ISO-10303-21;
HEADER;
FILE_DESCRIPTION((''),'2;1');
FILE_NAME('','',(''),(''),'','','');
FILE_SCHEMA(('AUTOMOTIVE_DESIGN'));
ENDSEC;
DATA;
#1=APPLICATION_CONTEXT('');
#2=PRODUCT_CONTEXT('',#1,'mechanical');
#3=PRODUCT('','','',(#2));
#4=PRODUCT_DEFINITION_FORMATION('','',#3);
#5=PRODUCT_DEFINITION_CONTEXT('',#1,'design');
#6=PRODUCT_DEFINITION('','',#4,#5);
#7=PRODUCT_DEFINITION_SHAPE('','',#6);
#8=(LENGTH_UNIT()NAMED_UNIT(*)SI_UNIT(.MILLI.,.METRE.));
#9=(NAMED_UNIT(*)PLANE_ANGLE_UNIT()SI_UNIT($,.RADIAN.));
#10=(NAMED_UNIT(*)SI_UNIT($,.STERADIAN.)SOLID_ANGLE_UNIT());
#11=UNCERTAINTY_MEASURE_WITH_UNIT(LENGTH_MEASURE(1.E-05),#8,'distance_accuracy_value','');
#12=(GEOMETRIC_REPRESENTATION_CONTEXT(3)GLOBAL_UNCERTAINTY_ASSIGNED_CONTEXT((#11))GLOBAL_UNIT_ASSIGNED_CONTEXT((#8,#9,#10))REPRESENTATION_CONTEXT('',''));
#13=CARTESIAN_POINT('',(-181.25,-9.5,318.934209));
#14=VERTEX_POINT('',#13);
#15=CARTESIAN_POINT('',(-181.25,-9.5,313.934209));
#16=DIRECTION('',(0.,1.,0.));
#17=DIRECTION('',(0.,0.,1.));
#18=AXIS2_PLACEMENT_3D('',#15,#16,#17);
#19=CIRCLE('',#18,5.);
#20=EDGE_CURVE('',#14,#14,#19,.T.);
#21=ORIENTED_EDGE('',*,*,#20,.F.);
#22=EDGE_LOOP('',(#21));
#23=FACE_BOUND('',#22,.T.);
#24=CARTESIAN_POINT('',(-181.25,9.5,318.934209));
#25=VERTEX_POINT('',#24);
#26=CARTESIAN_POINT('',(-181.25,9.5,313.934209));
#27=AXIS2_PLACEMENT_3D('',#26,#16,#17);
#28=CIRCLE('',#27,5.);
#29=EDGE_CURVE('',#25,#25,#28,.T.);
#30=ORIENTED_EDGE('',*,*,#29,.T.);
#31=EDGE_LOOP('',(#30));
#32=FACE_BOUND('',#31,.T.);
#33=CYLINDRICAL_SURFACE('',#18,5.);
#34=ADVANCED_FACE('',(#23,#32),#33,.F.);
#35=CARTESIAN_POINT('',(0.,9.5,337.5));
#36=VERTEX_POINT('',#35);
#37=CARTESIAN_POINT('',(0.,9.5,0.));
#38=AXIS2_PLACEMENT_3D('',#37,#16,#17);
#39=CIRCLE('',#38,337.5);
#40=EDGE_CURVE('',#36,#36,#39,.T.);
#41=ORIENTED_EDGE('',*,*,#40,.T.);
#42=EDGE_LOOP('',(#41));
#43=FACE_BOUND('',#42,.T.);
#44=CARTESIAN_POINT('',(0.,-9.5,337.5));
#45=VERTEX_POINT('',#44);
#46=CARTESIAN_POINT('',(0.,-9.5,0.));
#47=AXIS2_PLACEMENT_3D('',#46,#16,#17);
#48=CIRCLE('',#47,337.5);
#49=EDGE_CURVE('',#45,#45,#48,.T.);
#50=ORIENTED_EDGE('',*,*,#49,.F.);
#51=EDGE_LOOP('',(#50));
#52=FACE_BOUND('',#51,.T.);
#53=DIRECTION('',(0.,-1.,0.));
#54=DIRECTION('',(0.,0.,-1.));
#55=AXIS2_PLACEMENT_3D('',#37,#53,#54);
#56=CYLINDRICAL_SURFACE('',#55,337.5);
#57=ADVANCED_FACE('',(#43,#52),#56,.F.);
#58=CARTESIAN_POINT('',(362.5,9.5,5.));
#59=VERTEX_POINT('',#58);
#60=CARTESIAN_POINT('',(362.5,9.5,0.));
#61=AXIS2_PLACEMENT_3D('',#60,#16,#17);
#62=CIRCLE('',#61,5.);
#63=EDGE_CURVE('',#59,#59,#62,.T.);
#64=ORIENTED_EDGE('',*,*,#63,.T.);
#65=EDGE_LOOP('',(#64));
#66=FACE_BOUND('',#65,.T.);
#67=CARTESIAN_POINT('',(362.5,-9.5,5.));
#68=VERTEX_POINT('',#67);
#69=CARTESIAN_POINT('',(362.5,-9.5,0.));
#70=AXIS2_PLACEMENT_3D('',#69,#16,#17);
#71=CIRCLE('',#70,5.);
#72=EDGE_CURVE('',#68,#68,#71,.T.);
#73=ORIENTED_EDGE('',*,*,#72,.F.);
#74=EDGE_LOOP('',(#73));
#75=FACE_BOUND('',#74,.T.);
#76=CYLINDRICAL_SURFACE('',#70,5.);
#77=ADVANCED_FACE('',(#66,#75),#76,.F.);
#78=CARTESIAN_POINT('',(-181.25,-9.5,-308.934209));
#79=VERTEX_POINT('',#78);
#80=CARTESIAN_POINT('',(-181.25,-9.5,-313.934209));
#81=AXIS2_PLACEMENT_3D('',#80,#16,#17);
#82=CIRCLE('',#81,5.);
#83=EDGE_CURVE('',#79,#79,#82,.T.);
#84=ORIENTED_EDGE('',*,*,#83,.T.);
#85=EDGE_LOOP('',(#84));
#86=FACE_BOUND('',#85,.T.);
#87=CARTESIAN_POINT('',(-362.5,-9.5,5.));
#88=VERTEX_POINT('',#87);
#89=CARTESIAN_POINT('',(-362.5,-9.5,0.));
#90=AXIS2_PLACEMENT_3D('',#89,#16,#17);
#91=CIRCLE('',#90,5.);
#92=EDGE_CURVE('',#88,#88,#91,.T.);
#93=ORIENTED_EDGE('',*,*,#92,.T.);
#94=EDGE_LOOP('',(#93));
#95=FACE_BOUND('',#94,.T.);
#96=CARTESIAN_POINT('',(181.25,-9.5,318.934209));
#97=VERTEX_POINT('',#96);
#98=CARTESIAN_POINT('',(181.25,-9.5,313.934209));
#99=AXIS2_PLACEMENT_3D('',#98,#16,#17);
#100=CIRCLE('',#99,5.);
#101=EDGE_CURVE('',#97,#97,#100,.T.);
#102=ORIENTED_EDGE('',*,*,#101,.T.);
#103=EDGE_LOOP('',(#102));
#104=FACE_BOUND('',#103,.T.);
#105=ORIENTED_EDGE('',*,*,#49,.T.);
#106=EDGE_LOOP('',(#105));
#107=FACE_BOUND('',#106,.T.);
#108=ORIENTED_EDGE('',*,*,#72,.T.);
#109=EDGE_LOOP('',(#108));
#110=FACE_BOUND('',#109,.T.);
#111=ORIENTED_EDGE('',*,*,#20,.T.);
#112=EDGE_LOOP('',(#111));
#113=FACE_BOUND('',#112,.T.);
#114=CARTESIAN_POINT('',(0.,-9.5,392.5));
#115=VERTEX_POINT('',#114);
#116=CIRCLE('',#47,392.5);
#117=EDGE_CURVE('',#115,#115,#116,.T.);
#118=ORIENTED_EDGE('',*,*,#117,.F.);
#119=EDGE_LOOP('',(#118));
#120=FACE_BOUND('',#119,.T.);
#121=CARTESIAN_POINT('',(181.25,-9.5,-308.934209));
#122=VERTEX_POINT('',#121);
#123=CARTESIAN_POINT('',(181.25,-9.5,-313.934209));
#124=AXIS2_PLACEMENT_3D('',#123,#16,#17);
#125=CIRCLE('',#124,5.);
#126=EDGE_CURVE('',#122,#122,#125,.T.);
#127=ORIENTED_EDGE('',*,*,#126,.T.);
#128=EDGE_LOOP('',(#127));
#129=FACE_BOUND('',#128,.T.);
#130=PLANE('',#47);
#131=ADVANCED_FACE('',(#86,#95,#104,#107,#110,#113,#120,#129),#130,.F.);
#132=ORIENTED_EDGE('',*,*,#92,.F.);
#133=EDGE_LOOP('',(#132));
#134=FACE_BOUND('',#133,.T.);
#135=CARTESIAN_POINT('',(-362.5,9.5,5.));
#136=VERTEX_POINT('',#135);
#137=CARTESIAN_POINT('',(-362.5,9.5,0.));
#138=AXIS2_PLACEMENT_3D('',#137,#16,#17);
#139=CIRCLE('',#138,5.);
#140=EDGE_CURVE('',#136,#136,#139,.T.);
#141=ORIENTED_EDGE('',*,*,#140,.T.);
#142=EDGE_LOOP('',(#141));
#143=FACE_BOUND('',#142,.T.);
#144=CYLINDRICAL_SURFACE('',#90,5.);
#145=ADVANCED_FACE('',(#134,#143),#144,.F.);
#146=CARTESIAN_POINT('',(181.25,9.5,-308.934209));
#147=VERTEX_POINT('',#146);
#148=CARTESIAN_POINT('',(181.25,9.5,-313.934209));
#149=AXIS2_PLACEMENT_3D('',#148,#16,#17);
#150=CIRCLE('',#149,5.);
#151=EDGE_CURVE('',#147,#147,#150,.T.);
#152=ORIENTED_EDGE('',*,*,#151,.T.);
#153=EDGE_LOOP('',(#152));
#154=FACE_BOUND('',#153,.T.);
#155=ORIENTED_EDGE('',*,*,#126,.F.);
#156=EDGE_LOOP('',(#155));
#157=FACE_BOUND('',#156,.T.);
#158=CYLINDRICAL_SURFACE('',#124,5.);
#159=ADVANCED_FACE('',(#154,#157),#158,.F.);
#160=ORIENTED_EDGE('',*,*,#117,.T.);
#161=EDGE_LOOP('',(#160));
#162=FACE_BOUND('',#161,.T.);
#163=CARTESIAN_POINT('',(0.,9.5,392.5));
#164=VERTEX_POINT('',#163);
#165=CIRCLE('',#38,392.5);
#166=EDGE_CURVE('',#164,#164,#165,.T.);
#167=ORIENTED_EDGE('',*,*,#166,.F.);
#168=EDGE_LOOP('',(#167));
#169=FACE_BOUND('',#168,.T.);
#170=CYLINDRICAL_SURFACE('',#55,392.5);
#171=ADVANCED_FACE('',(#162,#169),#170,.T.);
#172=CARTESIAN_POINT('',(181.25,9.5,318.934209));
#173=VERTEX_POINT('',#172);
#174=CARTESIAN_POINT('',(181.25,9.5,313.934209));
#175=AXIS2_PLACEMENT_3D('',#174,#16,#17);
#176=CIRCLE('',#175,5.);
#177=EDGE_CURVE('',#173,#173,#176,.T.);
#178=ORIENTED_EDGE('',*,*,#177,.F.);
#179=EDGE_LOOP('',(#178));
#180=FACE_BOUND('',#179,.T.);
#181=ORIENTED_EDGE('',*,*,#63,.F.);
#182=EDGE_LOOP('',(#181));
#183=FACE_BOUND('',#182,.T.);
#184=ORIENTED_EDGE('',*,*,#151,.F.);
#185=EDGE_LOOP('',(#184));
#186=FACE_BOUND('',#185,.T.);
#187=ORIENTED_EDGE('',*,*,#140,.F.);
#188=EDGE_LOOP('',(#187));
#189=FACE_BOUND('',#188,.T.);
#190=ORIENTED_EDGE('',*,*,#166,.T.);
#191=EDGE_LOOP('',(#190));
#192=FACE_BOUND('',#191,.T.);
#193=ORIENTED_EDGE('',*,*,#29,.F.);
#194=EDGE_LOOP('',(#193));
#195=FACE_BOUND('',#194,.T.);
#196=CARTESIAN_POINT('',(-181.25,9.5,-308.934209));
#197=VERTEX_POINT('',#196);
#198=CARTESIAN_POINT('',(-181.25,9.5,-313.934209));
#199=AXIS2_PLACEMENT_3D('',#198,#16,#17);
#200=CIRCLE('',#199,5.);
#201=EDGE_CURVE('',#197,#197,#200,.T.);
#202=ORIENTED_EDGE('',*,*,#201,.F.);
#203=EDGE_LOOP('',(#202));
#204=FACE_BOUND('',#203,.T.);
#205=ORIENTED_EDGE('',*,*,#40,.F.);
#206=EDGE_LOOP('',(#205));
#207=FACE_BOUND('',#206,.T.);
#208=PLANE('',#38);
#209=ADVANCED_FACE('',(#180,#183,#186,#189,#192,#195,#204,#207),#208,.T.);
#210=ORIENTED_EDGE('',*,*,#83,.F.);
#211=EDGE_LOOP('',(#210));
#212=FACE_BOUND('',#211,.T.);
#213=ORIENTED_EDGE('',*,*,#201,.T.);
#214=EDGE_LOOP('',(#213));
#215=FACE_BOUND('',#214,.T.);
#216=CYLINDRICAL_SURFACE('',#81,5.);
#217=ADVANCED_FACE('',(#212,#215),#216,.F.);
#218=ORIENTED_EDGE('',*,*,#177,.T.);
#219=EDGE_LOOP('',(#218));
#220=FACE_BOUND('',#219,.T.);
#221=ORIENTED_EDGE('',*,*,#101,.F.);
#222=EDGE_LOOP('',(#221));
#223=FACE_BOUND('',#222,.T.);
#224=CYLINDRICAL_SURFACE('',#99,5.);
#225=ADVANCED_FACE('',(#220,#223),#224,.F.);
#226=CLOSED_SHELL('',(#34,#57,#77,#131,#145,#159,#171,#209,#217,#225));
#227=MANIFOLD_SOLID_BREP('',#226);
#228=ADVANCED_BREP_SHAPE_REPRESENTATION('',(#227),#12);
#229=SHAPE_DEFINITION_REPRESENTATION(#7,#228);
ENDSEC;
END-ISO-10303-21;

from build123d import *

# Parameters (mm, degrees)
SKETCH1_R           = 392.5
SKETCH1_R_2         = 337.5
BOSS_EXTRUDE1_DEPTH = 9.5
SKETCH2_R           = 5
CUT_EXTRUDE1_DEPTH  = 556.40390708


with BuildPart() as part:
    # Sketch1 → Boss-Extrude1 (new, symmetric)
    with BuildSketch(Plane(origin=(0, 0, 0), x_dir=(1, 0, 0), z_dir=(0, 1, 0))):
        with Locations(Location((0, 0, 0), (0, 0, 270))):
            Circle(SKETCH1_R)
        with Locations(Location((0, 0, 0), (0, 0, 270))):
            Circle(SKETCH1_R_2, mode=Mode.SUBTRACT)
    extrude(amount=BOSS_EXTRUDE1_DEPTH, both=True)

    # Sketch2 → Cut-Extrude1 (cut, through all)
    with BuildSketch(Plane(origin=(0, 9.5, 0), x_dir=(1, 0, 0), z_dir=(0, 1, 0))):
        with Locations(Location((181.25, 313.934208872, 0), (0, 0, 270))):
            Circle(SKETCH2_R)
        with Locations(Location((362.5, 0, 0), (0, 0, 270))):
            Circle(SKETCH2_R)
        with Locations(Location((181.25, -313.934208872, 0), (0, 0, 270))):
            Circle(SKETCH2_R)
        with Locations(Location((-181.25, -313.934208872, 0), (0, 0, 270))):
            Circle(SKETCH2_R)
        with Locations(Location((-362.5, 0, 0), (0, 0, 270))):
            Circle(SKETCH2_R)
        with Locations(Location((-181.25, 313.934208872, 0), (0, 0, 270))):
            Circle(SKETCH2_R)
    extrude(amount=-CUT_EXTRUDE1_DEPTH, mode=Mode.SUBTRACT)


solid = part.part
